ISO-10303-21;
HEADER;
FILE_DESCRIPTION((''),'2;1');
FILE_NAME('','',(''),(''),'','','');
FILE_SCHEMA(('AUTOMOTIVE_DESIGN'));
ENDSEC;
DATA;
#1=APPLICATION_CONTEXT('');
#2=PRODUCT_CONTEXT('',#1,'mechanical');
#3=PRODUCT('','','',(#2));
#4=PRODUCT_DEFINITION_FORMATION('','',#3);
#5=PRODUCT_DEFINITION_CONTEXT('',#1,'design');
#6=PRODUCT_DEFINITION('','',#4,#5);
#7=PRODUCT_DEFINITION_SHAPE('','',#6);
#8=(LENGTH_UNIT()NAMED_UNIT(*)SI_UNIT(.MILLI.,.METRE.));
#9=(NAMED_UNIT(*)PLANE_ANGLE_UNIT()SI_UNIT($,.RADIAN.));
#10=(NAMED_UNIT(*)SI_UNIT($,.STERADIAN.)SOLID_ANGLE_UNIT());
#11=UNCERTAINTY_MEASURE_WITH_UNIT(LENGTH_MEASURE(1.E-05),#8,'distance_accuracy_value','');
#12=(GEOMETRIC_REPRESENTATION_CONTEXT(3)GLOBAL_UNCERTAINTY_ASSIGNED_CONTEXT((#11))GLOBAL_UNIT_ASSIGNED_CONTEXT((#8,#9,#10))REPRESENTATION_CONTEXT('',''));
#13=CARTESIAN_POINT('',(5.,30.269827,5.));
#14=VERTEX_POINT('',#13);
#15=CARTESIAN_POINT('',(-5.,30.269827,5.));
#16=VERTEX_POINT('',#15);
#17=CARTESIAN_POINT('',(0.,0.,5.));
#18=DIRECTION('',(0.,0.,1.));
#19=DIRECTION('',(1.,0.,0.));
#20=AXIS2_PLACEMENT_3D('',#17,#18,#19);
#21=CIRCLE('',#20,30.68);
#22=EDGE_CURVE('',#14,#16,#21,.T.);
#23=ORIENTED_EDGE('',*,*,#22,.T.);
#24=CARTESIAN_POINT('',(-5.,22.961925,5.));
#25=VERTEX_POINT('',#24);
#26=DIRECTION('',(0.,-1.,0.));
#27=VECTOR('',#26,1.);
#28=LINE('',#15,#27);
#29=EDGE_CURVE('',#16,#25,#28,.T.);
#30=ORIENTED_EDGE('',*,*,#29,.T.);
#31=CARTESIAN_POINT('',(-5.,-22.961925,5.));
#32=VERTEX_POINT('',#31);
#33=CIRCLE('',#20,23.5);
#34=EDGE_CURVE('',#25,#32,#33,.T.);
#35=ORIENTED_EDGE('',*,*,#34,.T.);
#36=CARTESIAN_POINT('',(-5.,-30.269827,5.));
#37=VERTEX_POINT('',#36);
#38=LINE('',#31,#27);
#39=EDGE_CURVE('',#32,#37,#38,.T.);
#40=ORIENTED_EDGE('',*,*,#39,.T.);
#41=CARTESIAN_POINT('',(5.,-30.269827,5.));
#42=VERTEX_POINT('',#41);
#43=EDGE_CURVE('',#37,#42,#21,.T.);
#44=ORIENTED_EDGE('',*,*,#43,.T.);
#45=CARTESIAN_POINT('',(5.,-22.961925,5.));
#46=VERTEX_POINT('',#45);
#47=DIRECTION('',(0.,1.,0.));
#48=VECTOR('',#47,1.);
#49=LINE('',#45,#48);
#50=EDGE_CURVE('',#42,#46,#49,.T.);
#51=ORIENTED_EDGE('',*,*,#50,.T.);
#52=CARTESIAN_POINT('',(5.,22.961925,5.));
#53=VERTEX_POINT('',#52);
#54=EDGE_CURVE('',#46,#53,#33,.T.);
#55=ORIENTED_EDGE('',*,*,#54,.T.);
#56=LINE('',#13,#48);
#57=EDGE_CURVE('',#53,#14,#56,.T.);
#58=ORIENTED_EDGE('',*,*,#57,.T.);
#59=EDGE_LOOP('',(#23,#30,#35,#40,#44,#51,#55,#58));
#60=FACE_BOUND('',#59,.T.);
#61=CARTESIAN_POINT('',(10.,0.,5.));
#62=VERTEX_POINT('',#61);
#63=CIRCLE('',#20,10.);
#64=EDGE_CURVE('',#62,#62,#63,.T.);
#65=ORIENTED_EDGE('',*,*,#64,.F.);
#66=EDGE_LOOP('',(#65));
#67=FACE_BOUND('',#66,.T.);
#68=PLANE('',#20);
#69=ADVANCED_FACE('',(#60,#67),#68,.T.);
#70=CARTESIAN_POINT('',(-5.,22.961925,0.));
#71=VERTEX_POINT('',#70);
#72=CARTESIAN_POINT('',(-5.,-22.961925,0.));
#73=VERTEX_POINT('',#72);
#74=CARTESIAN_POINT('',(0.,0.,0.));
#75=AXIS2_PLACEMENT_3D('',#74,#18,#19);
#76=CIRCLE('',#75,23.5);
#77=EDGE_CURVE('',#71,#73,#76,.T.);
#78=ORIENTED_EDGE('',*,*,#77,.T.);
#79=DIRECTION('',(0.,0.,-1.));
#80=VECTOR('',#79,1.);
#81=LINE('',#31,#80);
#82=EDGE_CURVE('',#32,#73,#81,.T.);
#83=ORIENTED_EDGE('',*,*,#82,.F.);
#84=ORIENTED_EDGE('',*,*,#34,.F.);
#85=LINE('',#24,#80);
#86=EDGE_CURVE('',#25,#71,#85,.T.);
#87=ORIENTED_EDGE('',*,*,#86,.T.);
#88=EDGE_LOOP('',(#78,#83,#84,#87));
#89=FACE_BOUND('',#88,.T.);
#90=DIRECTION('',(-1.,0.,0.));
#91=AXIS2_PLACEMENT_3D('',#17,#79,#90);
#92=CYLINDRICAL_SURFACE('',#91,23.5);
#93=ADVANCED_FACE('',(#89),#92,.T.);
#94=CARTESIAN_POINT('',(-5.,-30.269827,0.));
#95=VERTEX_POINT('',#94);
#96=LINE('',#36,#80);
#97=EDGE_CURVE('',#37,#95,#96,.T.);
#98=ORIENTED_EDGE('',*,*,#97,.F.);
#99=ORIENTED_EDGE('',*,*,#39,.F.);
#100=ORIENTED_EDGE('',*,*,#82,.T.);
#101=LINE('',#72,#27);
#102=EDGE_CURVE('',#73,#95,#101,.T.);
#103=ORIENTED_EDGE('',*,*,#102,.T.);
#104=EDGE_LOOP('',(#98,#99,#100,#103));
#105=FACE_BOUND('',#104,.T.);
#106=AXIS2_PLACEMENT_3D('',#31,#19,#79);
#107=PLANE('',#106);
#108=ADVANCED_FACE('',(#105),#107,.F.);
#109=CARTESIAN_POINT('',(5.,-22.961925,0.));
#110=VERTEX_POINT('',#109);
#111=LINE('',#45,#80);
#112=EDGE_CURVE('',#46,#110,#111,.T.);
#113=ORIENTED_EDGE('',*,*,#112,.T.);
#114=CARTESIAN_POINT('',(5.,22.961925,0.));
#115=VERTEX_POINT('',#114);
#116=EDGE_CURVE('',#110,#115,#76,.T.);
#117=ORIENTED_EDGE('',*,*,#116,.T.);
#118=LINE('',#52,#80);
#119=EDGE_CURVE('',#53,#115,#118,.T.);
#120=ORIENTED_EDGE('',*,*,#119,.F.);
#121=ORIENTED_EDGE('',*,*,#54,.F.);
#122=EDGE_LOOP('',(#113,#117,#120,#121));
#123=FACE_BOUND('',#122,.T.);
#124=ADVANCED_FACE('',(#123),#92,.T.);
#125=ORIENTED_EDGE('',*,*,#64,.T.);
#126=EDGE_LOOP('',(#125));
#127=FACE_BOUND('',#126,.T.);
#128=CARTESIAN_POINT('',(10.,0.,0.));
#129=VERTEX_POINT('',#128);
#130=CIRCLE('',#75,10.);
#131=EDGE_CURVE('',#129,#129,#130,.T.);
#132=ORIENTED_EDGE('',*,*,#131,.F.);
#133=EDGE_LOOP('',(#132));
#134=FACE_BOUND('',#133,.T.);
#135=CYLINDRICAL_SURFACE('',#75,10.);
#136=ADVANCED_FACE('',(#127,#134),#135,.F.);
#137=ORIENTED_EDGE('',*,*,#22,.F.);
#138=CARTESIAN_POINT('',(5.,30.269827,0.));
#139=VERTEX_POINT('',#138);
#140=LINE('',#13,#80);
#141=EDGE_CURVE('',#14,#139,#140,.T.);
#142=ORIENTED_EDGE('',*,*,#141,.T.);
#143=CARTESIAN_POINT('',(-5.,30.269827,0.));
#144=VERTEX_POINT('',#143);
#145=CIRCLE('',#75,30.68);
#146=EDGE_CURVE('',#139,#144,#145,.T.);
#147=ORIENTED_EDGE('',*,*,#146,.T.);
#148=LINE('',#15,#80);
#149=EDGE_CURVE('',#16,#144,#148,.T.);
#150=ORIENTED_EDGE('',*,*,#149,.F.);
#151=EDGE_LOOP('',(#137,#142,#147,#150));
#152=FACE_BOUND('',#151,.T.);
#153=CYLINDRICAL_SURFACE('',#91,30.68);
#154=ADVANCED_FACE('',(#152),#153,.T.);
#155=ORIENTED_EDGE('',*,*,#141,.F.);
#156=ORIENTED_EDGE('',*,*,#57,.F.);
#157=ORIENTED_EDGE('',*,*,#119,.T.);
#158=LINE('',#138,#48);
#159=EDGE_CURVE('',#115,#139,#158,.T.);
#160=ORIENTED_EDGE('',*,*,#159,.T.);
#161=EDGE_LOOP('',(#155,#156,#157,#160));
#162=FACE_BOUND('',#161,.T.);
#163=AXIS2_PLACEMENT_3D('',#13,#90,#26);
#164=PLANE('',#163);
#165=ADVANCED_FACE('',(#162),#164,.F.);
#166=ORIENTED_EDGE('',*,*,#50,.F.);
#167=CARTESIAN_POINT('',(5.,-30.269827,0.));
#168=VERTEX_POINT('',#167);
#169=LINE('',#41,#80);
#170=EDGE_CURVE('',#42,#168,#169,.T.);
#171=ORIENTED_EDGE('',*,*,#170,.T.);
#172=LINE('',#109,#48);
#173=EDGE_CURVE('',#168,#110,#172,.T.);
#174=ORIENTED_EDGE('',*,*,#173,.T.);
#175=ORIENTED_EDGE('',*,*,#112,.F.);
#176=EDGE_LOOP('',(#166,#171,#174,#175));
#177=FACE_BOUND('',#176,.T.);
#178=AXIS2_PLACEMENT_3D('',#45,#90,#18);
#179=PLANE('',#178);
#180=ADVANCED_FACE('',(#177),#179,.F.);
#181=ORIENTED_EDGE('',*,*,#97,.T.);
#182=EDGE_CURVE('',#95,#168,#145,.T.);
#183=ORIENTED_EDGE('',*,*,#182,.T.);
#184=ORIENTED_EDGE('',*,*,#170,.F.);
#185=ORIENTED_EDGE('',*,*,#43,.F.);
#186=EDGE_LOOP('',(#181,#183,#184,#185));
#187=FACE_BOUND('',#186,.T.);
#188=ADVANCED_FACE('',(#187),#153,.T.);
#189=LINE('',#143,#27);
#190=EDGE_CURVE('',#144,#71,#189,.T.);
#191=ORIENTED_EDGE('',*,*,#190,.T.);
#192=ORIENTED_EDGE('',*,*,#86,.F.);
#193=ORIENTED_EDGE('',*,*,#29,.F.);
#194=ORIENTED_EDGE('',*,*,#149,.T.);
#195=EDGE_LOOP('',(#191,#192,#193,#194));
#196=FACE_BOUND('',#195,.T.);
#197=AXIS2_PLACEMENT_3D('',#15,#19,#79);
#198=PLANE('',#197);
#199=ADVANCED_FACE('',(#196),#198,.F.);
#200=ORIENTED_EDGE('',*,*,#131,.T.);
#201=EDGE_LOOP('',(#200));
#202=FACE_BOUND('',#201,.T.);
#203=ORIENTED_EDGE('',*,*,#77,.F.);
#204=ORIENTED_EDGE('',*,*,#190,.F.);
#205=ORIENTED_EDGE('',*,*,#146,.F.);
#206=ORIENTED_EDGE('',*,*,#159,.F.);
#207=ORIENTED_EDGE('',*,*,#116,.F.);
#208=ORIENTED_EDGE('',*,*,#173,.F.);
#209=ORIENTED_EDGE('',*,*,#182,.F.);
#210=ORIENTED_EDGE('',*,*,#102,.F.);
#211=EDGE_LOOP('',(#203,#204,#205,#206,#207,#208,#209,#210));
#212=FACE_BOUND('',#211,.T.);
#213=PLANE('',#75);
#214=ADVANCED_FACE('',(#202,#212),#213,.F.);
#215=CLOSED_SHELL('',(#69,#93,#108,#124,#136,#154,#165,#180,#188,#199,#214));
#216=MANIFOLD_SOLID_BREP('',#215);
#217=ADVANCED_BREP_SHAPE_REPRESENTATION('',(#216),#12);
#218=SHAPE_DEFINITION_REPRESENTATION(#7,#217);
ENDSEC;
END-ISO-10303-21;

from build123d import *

# Parameters (mm, degrees)
BOSS_EXTRUDE1_DEPTH = 5
SKETCH2_R           = 10
CUT_EXTRUDE1_DEPTH  = 5


with BuildPart() as part:
    # Sketch1 → Boss-Extrude1 (new body)
    with BuildSketch(Plane.XY):
        with BuildLine():
            Line((-5, -22.961925006), (-5, -30.26982656))
            ThreePointArc((-5, -30.26982656), (0, -30.68), (5, -30.26982656))
            Line((5, -30.26982656), (5, -22.961925006))
            ThreePointArc((5, -22.961925006), (23.5, 0), (5, 22.961925006))
            Line((5, 22.961925006), (5, 30.26982656))
            ThreePointArc((5, 30.26982656), (0, 30.68), (-5, 30.26982656))
            Line((-5, 30.26982656), (-5, 22.961925006))
            ThreePointArc((-5, 22.961925006), (-23.5, 0), (-5, -22.961925006))
        make_face()
    extrude(amount=BOSS_EXTRUDE1_DEPTH)

    # Sketch2 → Cut-Extrude1 (cut)
    with BuildSketch(Plane.XY.offset(5)):
        Circle(SKETCH2_R)
    extrude(amount=-CUT_EXTRUDE1_DEPTH, mode=Mode.SUBTRACT)


solid = part.part
